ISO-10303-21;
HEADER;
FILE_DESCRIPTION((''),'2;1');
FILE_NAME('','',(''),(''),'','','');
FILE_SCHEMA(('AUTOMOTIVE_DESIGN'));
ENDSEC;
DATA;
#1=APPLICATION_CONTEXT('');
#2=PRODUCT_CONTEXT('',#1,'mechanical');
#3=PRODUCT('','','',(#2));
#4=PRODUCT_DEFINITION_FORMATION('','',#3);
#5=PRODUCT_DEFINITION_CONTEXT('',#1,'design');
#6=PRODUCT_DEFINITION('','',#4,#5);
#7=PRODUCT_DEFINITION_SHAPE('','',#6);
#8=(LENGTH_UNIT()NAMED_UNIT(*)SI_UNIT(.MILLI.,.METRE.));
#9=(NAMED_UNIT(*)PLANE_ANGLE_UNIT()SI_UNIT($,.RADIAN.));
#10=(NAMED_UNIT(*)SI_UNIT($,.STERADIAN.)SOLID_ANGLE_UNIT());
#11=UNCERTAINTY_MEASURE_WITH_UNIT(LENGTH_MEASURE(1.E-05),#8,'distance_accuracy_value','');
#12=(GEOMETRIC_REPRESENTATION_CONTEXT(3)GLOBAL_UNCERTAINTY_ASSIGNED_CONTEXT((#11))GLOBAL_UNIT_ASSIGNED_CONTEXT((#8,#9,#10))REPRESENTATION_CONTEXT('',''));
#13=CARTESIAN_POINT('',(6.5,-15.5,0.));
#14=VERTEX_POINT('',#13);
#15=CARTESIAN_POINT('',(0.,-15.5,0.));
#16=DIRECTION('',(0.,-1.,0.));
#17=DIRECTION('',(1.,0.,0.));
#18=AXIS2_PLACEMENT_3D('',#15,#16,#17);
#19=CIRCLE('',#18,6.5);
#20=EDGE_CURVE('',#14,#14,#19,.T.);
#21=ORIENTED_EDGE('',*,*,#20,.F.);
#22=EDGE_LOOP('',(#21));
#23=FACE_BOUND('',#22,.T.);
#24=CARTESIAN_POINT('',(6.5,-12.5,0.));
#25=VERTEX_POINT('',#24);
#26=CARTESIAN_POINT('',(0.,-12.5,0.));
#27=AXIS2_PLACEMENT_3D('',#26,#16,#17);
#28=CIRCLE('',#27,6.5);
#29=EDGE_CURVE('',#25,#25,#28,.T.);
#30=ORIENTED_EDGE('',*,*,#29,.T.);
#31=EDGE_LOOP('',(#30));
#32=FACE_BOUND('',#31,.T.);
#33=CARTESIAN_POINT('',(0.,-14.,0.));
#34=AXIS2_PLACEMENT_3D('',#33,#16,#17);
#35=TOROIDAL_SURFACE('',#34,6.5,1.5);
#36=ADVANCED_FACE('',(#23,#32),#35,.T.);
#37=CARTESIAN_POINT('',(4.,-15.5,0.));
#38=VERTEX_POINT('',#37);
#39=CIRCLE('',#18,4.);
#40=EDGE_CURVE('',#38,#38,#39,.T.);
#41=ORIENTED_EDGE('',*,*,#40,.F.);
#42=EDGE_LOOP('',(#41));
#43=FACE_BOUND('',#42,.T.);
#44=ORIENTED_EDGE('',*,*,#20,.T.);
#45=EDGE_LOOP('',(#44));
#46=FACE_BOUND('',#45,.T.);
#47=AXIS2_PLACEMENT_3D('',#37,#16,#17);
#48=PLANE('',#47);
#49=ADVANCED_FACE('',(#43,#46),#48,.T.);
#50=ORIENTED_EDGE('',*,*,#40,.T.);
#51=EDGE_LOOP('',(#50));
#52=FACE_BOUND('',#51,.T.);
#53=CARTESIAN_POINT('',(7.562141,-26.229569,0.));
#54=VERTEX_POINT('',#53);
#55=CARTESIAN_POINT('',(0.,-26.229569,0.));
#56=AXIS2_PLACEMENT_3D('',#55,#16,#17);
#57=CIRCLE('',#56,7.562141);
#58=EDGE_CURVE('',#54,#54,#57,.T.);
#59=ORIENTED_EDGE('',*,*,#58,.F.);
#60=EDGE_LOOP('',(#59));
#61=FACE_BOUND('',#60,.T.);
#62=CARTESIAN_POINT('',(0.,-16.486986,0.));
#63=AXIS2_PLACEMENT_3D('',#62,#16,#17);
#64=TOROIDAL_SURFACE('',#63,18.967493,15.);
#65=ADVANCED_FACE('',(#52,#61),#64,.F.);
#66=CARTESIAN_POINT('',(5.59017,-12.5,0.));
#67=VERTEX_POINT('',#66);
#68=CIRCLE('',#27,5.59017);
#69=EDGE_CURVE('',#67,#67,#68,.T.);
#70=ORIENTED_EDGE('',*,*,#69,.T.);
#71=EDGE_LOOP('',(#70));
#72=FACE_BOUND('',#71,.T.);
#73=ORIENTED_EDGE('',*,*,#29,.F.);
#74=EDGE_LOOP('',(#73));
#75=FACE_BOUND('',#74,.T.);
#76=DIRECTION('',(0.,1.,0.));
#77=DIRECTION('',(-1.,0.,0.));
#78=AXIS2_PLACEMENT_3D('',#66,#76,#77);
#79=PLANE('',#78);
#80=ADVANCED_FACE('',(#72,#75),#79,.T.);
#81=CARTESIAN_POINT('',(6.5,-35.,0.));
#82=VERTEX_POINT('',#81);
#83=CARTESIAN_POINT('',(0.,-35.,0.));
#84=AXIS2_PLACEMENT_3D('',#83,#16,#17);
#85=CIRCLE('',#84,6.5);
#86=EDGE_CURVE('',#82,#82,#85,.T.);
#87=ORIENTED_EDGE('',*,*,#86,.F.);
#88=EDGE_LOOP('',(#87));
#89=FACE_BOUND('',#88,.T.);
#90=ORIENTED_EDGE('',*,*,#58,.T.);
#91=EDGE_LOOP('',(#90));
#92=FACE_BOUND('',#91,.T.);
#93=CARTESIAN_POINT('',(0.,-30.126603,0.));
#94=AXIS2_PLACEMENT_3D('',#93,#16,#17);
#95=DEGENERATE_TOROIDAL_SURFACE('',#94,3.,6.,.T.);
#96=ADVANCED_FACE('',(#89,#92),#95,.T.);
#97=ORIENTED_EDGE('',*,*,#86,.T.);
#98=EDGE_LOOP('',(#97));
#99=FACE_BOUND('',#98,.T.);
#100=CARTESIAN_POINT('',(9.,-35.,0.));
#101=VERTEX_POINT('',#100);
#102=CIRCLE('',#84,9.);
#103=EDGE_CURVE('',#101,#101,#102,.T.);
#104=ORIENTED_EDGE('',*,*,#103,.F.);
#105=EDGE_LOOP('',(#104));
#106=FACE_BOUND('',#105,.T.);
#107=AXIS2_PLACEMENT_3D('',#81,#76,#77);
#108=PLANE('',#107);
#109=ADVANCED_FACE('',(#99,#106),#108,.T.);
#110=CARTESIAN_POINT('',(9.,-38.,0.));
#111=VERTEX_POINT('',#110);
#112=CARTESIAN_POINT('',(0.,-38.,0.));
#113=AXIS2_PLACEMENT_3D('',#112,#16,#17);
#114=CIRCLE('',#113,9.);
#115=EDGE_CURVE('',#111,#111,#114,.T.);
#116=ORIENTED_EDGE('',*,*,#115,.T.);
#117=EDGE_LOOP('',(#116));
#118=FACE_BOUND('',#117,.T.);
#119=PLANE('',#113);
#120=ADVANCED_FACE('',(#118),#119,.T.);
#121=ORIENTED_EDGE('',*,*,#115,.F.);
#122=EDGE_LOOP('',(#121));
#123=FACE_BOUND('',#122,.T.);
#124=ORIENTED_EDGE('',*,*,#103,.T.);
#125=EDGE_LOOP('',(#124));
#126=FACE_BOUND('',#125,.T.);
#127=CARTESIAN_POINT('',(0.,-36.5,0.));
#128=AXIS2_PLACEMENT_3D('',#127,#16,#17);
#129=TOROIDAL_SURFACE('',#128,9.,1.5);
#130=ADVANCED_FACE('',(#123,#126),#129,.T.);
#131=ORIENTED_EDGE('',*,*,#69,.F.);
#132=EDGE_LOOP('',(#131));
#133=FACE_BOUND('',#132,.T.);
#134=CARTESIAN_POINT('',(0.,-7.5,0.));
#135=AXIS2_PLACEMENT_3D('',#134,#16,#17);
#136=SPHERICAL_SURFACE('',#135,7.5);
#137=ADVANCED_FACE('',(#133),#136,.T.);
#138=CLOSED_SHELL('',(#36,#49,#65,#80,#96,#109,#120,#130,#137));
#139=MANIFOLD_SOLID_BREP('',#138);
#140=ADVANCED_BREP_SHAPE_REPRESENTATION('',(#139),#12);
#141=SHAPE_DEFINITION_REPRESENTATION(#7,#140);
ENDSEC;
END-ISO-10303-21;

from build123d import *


with BuildPart() as part:
    # Sketch1 → Revolve5 (revolve)
    with BuildSketch(Plane.XY):
        with BuildLine():
            Line((4, -15.5), (6.5, -15.5))
            ThreePointArc((6.5, -15.5), (8, -14), (6.5, -12.5))
            Line((6.5, -12.5), (5.590169944, -12.5))
            ThreePointArc((5.590169944, -12.5), (6.846531969, -4.438137822), (0, 0))
            Line((0, 0), (0, -38))
            Line((0, -38), (9, -38))
            ThreePointArc((9, -38), (10.5, -36.5), (9, -35))
            Line((9, -35), (6.5, -35))
            ThreePointArc((6.5, -35), (8.956479045, -30.847960847), (7.562140976, -26.229569377))
            ThreePointArc((7.562140976, -26.229569377), (4.731529648, -21.213224807), (4, -15.5))
        make_face()
    revolve(axis=Axis((0, 0, 0), (0, 1, 0)))


solid = part.part
